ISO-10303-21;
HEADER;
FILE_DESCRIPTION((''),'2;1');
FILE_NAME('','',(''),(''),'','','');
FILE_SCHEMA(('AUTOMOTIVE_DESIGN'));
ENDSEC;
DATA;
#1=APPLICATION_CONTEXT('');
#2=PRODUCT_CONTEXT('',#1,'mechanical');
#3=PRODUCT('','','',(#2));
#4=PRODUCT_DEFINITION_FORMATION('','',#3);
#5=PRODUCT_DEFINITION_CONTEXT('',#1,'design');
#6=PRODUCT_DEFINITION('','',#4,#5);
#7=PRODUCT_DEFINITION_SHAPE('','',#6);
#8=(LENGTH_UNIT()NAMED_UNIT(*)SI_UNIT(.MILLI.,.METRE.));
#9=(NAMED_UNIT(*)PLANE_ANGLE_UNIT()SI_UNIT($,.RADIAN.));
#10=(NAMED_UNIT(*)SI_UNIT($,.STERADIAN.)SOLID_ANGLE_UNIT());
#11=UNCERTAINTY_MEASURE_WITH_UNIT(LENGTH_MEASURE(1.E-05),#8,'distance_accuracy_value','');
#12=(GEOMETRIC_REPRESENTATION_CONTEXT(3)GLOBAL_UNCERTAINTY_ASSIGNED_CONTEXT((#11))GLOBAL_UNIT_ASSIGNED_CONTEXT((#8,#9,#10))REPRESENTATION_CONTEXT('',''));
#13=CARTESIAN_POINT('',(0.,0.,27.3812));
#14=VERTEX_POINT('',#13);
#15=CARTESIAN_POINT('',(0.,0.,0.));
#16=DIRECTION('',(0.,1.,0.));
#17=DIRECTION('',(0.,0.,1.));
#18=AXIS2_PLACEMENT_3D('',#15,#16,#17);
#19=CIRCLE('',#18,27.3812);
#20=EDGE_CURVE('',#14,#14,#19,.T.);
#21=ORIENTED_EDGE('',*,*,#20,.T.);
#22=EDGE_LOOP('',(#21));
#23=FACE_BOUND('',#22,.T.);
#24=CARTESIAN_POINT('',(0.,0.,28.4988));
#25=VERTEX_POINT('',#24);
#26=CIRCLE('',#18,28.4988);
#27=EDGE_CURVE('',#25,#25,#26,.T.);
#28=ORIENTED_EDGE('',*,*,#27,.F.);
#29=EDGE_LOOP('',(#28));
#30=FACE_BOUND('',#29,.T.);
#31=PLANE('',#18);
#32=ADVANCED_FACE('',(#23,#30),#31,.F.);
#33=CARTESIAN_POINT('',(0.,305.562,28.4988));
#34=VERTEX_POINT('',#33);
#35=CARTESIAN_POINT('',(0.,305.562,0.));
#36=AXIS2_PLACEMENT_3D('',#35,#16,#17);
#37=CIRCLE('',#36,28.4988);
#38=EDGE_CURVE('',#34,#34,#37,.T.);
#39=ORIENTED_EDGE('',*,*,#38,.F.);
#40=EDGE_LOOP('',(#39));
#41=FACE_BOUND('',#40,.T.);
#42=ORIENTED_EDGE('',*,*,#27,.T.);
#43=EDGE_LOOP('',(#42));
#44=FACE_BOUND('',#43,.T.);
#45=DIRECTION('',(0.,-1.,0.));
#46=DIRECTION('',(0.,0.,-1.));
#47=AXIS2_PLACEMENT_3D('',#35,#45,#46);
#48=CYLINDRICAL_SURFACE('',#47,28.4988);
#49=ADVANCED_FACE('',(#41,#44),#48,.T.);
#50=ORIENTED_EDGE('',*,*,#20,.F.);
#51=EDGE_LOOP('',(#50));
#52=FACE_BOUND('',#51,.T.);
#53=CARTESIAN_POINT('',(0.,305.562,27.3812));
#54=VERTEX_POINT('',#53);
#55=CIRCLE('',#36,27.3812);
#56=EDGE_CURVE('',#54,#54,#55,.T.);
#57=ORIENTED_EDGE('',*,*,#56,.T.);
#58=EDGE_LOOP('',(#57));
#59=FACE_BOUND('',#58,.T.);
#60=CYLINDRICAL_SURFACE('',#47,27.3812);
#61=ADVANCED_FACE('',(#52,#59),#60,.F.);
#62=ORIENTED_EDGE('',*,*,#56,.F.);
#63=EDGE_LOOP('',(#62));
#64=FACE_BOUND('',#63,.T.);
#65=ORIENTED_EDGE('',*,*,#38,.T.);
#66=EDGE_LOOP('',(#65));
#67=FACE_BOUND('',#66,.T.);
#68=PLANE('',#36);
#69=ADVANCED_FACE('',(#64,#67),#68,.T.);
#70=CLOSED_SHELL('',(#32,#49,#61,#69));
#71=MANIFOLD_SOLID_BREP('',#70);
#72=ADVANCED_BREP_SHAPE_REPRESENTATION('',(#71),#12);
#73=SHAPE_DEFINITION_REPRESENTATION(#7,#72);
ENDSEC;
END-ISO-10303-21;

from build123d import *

# Parameters (mm, degrees)
SKETCH1_R           = 28.4988
SKETCH1_R_2         = 27.3812
BOSS_EXTRUDE1_DEPTH = 305.562


with BuildPart() as part:
    # Sketch1 → Boss-Extrude1 (new body)
    with BuildSketch(Plane(origin=(0, 0, 0), x_dir=(1, 0, 0), z_dir=(0, 1, 0))):
        with Locations(Location((0, 0, 0), (0, 0, 270))):
            Circle(SKETCH1_R)
        with Locations(Location((0, 0, 0), (0, 0, 270))):
            Circle(SKETCH1_R_2, mode=Mode.SUBTRACT)
    extrude(amount=BOSS_EXTRUDE1_DEPTH)


solid = part.part
